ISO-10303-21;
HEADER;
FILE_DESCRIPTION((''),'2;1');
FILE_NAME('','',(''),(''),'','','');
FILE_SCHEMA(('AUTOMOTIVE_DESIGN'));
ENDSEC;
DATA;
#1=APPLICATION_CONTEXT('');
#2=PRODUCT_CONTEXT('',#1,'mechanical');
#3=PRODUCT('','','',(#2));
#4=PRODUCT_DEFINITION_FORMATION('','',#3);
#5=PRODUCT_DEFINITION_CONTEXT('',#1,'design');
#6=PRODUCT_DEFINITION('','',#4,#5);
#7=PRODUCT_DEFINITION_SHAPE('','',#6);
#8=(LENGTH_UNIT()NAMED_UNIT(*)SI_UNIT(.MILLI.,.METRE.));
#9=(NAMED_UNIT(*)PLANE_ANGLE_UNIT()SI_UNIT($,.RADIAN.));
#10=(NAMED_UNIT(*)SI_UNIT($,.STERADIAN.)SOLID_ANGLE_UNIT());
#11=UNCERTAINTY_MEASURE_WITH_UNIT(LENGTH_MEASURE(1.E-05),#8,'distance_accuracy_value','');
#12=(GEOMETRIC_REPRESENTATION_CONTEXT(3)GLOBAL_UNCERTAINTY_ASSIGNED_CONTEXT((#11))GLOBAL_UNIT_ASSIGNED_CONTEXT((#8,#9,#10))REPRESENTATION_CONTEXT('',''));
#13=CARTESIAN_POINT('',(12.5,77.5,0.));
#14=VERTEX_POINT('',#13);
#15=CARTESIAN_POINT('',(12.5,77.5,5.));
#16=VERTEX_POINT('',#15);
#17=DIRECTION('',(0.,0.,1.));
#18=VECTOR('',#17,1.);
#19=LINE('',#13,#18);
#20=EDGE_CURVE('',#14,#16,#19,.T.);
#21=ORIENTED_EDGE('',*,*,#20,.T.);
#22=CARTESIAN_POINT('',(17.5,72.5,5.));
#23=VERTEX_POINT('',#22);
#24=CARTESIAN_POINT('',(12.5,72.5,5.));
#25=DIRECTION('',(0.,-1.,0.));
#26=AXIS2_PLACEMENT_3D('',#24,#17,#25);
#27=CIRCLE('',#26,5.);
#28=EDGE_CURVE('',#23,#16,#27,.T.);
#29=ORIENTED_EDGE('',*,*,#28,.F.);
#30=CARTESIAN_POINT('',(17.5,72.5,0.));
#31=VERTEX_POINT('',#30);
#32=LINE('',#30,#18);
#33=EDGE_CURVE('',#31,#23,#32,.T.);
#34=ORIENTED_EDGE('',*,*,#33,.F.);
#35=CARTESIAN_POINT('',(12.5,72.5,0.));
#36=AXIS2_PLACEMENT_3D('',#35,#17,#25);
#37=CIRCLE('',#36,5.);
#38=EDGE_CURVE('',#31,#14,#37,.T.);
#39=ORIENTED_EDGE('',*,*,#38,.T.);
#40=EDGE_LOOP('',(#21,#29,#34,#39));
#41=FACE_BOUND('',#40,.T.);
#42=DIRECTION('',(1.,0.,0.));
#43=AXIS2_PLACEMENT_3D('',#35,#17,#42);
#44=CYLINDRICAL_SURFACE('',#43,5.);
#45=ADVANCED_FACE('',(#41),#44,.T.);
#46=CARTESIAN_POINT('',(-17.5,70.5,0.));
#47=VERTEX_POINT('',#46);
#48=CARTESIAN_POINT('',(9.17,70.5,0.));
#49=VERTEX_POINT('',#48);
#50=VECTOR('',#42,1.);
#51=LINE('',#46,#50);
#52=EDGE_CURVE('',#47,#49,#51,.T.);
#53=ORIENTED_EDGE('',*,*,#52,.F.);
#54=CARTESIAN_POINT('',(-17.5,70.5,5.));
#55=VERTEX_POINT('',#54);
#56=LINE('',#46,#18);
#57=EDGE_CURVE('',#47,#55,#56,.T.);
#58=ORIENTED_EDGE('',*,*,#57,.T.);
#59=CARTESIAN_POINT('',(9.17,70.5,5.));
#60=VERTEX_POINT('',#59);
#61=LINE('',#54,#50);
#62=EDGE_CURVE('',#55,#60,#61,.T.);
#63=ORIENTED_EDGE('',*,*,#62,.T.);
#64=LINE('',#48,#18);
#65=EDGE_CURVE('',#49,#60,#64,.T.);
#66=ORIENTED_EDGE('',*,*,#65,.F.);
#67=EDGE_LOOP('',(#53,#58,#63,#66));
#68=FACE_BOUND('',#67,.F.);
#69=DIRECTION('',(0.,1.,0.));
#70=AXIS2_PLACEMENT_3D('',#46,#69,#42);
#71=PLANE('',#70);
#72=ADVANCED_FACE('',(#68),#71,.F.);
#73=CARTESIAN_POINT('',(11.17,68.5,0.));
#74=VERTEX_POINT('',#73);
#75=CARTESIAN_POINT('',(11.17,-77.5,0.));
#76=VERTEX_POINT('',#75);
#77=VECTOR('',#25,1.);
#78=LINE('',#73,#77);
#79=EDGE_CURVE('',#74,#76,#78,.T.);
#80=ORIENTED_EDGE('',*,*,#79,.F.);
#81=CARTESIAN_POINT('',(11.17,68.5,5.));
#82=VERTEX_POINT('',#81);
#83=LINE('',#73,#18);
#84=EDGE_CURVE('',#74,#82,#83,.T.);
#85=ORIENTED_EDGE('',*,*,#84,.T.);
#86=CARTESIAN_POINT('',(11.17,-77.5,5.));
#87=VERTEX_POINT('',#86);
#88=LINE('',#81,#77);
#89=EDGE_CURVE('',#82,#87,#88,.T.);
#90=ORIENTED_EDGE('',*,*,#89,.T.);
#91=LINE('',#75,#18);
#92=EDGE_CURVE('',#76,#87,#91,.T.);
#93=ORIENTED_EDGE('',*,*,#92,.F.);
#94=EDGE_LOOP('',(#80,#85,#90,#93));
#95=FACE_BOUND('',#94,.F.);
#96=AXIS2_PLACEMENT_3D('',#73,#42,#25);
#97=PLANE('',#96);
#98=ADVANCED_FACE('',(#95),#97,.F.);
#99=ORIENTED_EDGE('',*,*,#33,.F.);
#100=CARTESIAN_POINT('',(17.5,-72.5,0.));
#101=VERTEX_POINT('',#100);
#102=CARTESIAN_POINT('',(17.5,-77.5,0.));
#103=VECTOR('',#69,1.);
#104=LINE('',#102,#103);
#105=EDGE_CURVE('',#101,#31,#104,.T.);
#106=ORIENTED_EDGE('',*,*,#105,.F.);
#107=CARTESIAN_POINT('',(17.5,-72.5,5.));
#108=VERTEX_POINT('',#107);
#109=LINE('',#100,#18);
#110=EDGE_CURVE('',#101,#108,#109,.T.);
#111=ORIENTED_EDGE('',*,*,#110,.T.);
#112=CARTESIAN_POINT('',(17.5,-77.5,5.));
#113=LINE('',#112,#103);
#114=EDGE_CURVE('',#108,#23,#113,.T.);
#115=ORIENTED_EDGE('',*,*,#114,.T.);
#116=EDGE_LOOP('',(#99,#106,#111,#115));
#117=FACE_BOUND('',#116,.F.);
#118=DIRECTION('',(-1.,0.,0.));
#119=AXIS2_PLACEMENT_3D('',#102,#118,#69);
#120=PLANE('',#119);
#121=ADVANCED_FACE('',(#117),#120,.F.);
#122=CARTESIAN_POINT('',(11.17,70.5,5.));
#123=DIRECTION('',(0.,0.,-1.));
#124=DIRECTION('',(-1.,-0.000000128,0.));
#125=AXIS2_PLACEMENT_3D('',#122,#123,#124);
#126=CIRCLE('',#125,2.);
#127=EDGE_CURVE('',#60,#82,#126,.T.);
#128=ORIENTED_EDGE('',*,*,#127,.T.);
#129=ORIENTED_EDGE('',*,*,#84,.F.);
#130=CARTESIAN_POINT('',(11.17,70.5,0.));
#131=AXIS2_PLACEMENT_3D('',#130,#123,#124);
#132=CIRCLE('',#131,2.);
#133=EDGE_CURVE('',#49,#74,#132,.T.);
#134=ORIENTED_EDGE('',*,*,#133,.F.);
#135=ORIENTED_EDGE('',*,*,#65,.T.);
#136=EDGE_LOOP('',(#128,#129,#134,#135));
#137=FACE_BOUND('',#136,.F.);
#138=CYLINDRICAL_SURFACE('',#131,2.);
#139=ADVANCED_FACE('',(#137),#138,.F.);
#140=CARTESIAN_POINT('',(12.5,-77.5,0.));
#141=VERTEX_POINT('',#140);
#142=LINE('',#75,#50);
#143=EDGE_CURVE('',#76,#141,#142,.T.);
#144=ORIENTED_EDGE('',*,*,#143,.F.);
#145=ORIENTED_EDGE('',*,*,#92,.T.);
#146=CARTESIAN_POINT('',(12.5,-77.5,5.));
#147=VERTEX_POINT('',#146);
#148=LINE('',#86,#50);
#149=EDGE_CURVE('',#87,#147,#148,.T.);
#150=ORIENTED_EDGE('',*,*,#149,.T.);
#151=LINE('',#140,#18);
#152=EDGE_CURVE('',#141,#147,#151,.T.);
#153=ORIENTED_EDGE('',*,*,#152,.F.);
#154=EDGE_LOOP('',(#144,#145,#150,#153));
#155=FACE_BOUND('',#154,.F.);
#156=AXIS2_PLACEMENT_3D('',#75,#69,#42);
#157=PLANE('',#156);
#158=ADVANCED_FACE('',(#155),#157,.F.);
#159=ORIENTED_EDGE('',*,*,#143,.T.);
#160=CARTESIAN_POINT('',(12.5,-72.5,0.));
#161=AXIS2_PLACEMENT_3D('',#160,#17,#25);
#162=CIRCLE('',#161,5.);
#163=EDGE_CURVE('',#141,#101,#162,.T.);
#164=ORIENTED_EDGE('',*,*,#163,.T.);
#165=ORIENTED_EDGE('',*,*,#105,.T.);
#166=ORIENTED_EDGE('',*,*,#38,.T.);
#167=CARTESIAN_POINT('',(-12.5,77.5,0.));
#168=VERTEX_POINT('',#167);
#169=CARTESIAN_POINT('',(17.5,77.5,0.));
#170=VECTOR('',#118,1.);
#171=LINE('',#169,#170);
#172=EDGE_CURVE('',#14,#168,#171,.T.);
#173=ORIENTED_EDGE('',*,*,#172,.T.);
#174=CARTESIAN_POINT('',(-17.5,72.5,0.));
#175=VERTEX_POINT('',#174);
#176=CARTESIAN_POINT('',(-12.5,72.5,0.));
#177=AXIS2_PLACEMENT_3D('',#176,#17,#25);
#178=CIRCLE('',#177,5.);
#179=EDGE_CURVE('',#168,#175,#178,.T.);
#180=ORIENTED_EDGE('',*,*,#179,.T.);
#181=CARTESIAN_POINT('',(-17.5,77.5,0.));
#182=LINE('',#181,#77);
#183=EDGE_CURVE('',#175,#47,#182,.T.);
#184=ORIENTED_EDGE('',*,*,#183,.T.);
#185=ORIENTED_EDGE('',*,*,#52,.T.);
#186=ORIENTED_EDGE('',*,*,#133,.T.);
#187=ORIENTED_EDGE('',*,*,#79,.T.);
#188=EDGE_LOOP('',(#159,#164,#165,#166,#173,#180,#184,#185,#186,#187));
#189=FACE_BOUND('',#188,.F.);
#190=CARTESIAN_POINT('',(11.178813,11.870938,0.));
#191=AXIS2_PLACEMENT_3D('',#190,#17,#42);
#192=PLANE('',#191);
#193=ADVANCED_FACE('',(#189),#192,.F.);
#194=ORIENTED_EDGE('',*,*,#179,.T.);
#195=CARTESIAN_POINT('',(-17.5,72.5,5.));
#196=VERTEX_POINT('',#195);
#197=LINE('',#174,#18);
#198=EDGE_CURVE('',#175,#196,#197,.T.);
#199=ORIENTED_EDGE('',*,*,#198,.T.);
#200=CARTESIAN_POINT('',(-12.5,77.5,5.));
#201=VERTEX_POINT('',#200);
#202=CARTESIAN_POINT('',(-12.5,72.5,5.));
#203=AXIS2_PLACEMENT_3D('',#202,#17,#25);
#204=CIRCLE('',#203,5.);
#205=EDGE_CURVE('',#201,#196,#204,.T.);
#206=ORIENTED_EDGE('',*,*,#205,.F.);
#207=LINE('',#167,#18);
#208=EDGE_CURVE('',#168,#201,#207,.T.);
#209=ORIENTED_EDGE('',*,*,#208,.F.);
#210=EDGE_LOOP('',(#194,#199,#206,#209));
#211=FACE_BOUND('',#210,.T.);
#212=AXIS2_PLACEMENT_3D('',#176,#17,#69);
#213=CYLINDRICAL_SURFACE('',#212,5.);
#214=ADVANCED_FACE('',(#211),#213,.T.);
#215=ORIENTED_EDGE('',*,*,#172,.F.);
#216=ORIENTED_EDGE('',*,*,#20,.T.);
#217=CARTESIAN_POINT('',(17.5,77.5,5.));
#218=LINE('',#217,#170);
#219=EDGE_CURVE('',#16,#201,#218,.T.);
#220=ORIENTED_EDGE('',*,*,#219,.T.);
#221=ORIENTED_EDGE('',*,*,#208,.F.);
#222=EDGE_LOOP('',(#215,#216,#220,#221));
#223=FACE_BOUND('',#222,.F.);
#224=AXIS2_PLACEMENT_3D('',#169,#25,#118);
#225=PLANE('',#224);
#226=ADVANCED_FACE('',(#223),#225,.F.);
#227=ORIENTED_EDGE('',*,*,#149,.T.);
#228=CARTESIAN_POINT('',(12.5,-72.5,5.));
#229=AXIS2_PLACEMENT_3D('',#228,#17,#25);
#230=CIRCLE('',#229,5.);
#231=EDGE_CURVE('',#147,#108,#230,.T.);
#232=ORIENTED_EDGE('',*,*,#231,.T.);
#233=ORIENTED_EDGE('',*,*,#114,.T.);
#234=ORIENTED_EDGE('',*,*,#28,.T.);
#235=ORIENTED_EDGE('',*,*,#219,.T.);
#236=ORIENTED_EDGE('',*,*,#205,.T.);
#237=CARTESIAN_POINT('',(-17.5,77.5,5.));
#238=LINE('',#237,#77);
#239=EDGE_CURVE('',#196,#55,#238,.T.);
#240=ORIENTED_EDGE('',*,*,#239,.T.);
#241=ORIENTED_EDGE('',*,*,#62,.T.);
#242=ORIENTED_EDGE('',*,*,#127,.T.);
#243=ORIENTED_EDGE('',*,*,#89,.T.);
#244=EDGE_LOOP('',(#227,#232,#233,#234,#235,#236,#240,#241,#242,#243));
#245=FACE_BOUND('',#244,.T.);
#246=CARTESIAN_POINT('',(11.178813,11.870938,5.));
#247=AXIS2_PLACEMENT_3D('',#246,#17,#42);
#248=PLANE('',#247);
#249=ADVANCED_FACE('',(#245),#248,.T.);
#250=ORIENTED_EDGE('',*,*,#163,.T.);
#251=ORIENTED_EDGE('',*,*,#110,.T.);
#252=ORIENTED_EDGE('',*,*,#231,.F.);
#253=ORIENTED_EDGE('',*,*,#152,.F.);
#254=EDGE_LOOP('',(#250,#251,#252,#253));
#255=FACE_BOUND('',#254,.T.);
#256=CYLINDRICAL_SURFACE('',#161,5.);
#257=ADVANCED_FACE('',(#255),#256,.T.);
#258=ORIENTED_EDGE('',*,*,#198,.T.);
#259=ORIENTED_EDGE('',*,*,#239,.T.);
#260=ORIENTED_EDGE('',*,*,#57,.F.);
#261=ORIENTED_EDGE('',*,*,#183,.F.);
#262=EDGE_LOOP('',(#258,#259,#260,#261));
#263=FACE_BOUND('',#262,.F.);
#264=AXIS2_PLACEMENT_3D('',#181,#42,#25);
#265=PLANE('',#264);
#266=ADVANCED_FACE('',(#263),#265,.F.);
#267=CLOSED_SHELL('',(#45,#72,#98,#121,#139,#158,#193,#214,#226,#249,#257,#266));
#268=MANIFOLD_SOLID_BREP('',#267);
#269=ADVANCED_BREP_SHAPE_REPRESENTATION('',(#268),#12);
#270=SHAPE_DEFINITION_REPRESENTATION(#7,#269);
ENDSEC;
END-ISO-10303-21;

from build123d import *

# Parameters (mm, degrees)
F1_DEPTH = 5
F2_R     = 5


with BuildPart() as f1:
    # F0 (on Top) → F1 (new body)
    with BuildSketch(Plane.XY):
        with BuildLine():
            Line((11.17, -77.5), (17.5, -77.5))
            Line((17.5, -77.5), (17.5, 77.5))
            Line((17.5, 77.5), (-17.5, 77.5))
            Line((-17.5, 77.5), (-17.5, 70.5))
            Line((-17.5, 70.5), (9.17, 70.5))
            ThreePointArc((9.17, 70.5), (12.584214, 71.914214), (11.17, 68.5))
            Line((11.17, 68.5), (11.17, -77.5))
        make_face()
    extrude(amount=F1_DEPTH)

    # F2
    f2_edges = [f1.edges().sort_by_distance(p)[0] for p in [
        (17.5, 77.5, 2.5),
        (-17.5, 77.5, 2.5),
        (17.5, -77.5, 2.5),
    ]]
    fillet(f2_edges, radius=F2_R)


solid = f1.part
